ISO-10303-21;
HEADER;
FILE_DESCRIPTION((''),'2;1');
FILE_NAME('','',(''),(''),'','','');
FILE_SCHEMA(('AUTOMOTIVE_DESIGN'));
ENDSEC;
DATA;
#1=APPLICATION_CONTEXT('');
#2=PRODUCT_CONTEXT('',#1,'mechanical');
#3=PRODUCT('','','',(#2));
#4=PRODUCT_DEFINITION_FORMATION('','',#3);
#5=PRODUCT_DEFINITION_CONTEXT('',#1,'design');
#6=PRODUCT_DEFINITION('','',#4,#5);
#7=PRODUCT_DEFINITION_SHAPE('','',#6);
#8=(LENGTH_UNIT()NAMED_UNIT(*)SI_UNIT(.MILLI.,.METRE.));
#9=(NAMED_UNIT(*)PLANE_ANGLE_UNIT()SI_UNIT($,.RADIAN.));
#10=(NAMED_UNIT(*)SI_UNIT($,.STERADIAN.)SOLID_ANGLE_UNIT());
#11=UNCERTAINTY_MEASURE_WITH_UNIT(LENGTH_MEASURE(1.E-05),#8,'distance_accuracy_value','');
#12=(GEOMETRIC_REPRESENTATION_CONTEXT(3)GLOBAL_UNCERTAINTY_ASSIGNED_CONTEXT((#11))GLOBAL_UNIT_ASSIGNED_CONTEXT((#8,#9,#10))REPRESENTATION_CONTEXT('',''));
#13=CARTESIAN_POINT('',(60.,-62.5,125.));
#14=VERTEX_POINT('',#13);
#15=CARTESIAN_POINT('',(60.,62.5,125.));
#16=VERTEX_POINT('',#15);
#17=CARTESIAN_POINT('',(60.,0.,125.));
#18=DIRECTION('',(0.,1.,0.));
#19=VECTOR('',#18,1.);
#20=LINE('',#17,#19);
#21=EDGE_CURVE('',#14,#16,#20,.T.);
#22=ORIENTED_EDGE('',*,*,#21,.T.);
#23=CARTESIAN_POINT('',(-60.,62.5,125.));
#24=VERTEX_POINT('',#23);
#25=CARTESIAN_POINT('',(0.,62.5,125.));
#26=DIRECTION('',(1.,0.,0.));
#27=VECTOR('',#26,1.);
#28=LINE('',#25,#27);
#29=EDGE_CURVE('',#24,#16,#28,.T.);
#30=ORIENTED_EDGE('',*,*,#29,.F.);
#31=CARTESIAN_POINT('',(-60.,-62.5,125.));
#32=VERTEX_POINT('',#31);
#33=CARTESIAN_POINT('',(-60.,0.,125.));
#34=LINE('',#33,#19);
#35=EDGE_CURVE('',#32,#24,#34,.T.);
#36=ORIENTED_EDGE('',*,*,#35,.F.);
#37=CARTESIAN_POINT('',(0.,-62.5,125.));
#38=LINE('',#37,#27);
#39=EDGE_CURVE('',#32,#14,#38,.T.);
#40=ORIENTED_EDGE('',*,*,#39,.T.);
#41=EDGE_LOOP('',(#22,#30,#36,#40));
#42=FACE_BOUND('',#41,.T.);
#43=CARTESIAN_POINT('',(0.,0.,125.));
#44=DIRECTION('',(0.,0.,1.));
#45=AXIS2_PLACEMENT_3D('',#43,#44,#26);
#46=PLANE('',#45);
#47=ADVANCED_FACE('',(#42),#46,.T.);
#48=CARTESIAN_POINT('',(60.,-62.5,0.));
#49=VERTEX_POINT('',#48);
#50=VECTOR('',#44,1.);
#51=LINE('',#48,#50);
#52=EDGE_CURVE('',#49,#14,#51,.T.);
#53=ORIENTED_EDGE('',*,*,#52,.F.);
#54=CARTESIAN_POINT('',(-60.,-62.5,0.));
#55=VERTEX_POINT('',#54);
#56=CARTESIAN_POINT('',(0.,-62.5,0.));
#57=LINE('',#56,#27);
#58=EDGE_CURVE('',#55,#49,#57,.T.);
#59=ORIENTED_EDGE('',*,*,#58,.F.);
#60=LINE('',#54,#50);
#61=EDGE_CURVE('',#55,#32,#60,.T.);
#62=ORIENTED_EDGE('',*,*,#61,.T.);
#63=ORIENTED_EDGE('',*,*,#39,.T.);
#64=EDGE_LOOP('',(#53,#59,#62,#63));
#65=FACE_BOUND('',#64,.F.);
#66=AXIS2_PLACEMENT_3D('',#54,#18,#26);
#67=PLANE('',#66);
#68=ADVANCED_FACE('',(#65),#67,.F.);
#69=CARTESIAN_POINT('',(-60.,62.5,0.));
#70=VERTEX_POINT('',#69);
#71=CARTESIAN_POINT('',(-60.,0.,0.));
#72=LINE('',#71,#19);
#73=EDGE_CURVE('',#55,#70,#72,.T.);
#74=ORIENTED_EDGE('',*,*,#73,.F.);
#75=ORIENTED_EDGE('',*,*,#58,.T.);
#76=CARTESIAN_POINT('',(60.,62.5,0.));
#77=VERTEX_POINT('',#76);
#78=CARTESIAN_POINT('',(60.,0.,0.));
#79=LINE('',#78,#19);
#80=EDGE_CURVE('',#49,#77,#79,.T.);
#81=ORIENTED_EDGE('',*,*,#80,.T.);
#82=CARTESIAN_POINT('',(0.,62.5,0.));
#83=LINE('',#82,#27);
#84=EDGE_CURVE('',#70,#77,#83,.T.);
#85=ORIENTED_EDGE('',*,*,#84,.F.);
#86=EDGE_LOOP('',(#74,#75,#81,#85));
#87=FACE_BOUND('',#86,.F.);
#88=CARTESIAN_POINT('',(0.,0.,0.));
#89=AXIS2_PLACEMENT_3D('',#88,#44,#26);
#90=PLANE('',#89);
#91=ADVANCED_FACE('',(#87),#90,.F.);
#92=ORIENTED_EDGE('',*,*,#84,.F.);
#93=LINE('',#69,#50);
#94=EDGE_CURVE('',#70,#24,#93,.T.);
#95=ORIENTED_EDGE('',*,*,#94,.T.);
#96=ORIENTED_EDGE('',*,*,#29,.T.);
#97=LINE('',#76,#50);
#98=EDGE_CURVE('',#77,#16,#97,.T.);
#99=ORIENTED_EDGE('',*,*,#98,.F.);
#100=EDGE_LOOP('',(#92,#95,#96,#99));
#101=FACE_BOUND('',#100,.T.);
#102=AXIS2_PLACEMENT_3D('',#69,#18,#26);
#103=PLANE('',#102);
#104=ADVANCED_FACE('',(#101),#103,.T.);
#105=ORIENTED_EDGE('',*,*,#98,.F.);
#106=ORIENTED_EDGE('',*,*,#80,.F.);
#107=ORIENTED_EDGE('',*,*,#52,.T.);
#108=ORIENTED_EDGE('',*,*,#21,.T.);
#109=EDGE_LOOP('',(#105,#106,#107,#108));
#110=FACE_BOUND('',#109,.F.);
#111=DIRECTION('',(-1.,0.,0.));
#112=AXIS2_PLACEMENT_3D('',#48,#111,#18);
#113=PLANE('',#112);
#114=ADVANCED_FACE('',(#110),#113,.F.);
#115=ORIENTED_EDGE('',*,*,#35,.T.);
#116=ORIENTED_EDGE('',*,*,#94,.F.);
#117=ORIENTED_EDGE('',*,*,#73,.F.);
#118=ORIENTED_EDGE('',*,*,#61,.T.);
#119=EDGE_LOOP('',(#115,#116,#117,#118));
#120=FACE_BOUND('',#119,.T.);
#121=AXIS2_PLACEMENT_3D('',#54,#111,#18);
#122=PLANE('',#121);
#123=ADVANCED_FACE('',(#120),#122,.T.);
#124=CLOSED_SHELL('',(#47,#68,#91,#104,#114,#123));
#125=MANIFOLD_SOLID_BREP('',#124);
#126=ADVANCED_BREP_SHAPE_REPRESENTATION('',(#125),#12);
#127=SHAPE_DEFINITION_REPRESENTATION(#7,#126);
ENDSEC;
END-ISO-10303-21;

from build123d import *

# Parameters (mm, degrees)
F1_W     = 120
F1_H     = 125
F2_DEPTH = 125


with BuildPart() as f2:
    # F1 (on offset) → F2 (new body)
    with BuildSketch(Plane.XY):
        Rectangle(F1_W, F1_H)
    extrude(amount=F2_DEPTH)


solid = f2.part
